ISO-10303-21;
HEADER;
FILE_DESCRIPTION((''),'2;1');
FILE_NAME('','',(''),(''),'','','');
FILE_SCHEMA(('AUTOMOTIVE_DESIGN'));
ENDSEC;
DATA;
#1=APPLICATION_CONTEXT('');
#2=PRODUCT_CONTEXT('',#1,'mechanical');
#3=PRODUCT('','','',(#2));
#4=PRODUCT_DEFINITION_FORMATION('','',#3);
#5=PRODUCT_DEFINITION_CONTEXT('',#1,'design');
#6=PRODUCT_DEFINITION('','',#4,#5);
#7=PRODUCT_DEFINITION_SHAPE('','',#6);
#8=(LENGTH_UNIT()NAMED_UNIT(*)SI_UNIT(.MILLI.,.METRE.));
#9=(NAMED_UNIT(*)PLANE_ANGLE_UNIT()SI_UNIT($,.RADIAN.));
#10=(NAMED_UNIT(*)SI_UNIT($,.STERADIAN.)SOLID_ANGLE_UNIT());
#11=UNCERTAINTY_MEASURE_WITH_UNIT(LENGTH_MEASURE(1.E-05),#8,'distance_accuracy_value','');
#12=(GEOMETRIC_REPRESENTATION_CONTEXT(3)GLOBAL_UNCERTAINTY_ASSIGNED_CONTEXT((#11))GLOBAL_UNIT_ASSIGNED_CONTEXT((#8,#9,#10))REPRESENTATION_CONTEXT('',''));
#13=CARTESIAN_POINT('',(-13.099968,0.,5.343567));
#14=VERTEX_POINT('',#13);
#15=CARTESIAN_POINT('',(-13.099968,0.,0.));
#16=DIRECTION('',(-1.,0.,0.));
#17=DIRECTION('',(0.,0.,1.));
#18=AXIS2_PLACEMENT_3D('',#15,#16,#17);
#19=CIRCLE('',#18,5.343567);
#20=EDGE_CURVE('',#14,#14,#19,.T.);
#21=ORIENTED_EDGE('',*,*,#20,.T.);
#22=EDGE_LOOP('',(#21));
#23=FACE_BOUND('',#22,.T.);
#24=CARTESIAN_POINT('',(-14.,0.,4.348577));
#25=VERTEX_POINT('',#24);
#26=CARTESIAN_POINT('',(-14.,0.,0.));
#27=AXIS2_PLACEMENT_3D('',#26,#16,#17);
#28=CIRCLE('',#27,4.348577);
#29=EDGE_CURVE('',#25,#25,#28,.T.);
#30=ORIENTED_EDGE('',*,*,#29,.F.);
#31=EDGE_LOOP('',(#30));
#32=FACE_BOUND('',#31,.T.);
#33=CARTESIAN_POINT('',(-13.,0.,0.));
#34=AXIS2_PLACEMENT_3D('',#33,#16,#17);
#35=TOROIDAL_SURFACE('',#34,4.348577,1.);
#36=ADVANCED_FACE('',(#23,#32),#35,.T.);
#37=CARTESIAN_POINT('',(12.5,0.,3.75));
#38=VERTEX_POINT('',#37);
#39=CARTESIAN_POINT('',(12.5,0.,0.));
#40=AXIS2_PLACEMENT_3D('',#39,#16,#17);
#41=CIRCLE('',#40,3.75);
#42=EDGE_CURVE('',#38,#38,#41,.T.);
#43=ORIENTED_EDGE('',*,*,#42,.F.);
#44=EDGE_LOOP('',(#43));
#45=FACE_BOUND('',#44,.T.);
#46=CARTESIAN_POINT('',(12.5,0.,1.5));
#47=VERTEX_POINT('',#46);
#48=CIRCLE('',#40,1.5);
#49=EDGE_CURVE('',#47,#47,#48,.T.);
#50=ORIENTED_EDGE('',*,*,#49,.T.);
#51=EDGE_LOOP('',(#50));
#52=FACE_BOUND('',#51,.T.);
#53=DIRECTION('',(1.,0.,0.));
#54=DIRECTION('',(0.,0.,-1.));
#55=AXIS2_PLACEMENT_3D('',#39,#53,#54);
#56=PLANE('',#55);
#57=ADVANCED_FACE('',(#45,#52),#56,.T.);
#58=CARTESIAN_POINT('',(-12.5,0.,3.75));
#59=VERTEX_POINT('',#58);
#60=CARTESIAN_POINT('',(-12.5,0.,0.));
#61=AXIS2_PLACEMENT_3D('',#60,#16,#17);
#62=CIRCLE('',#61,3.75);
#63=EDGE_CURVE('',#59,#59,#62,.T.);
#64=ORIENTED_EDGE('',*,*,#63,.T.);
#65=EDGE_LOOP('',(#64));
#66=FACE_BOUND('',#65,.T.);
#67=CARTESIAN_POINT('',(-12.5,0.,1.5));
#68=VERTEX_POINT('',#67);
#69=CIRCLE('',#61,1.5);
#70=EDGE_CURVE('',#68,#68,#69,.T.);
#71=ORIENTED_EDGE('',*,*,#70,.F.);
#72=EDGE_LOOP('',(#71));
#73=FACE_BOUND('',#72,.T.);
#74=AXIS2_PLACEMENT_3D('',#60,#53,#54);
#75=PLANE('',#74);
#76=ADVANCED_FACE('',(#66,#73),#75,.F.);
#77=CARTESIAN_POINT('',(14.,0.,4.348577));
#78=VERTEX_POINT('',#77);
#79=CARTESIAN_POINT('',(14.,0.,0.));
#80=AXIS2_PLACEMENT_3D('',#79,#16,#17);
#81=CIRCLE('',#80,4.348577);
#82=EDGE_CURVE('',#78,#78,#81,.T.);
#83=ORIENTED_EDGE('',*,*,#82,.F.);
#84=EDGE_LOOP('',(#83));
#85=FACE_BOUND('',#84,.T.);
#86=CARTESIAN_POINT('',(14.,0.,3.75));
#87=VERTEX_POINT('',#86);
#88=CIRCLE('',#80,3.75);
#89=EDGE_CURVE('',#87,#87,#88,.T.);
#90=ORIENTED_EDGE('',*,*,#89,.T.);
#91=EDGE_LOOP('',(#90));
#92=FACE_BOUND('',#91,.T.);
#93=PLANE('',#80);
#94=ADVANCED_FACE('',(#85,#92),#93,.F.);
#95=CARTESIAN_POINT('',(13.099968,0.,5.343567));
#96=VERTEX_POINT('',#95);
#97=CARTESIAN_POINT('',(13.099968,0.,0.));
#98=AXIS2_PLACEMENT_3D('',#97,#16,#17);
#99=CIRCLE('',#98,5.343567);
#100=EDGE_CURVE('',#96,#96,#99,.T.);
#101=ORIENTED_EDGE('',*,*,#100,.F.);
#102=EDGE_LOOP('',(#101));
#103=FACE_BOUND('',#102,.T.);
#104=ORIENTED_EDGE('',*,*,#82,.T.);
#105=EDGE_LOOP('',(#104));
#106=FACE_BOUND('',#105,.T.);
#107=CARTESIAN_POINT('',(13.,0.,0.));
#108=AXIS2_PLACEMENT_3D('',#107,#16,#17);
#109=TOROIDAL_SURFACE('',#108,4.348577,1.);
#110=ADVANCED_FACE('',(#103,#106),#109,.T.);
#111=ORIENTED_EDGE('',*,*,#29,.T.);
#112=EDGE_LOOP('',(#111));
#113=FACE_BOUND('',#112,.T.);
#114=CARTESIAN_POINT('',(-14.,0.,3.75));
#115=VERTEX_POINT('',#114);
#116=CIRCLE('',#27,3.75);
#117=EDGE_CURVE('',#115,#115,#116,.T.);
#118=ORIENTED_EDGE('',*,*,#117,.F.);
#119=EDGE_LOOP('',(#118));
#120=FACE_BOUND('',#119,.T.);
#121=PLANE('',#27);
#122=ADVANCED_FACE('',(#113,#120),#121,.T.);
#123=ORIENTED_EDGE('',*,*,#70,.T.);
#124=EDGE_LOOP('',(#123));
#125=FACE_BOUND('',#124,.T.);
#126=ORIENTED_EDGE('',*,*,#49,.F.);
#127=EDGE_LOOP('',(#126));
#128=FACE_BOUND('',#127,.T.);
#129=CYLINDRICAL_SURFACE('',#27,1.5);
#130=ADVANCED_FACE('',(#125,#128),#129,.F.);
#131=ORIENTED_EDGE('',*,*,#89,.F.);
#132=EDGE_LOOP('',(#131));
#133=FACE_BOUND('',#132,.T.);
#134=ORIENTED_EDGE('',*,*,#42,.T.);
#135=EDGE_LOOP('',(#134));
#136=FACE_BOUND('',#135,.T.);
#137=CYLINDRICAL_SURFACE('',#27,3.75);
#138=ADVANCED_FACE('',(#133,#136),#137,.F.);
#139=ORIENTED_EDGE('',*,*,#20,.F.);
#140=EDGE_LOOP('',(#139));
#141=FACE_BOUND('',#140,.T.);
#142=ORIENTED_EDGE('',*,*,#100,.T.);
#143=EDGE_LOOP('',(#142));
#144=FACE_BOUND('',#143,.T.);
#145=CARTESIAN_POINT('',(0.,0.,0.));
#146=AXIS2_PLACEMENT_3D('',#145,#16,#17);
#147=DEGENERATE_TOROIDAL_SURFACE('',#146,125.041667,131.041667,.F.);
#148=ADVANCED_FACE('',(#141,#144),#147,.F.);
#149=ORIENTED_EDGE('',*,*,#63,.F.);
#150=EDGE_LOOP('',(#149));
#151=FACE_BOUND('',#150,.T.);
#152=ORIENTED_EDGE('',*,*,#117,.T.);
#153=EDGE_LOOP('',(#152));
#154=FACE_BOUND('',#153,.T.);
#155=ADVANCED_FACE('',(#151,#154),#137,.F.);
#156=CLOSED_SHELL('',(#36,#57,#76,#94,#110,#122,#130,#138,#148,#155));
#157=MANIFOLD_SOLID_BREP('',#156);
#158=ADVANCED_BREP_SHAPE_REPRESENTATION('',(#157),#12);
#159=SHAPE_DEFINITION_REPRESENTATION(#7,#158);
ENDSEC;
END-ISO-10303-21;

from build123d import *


with BuildPart() as part:
    # Sketch1 → Revolve1 (revolve)
    with BuildSketch(Plane.XY, mode=Mode.PRIVATE) as revolve1_sk:
        with BuildLine():
            ThreePointArc((-13.099967959, 5.343567322), (0, 6), (13.099967959, 5.343567322))
            ThreePointArc((13.099967959, 5.343567322), (13.741609048, 5.019408999), (14, 4.348576665))
            Line((14, 4.348576665), (14, 3.75))
            Line((14, 3.75), (12.5, 3.75))
            Line((12.5, 3.75), (12.5, 1.5))
            Line((12.5, 1.5), (-12.5, 1.5))
            Line((-12.5, 1.5), (-12.5, 3.75))
            Line((-12.5, 3.75), (-14, 3.75))
            Line((-14, 3.75), (-14, 4.348576665))
            ThreePointArc((-14, 4.348576665), (-13.741609048, 5.019408999), (-13.099967959, 5.343567322))
        make_face()
    revolve(revolve1_sk.sketch.rotate(Axis((-14, 0, 0), (1, 0, 0)), 90), axis=Axis((-14, 0, 0), (1, 0, 0)))


solid = part.part
